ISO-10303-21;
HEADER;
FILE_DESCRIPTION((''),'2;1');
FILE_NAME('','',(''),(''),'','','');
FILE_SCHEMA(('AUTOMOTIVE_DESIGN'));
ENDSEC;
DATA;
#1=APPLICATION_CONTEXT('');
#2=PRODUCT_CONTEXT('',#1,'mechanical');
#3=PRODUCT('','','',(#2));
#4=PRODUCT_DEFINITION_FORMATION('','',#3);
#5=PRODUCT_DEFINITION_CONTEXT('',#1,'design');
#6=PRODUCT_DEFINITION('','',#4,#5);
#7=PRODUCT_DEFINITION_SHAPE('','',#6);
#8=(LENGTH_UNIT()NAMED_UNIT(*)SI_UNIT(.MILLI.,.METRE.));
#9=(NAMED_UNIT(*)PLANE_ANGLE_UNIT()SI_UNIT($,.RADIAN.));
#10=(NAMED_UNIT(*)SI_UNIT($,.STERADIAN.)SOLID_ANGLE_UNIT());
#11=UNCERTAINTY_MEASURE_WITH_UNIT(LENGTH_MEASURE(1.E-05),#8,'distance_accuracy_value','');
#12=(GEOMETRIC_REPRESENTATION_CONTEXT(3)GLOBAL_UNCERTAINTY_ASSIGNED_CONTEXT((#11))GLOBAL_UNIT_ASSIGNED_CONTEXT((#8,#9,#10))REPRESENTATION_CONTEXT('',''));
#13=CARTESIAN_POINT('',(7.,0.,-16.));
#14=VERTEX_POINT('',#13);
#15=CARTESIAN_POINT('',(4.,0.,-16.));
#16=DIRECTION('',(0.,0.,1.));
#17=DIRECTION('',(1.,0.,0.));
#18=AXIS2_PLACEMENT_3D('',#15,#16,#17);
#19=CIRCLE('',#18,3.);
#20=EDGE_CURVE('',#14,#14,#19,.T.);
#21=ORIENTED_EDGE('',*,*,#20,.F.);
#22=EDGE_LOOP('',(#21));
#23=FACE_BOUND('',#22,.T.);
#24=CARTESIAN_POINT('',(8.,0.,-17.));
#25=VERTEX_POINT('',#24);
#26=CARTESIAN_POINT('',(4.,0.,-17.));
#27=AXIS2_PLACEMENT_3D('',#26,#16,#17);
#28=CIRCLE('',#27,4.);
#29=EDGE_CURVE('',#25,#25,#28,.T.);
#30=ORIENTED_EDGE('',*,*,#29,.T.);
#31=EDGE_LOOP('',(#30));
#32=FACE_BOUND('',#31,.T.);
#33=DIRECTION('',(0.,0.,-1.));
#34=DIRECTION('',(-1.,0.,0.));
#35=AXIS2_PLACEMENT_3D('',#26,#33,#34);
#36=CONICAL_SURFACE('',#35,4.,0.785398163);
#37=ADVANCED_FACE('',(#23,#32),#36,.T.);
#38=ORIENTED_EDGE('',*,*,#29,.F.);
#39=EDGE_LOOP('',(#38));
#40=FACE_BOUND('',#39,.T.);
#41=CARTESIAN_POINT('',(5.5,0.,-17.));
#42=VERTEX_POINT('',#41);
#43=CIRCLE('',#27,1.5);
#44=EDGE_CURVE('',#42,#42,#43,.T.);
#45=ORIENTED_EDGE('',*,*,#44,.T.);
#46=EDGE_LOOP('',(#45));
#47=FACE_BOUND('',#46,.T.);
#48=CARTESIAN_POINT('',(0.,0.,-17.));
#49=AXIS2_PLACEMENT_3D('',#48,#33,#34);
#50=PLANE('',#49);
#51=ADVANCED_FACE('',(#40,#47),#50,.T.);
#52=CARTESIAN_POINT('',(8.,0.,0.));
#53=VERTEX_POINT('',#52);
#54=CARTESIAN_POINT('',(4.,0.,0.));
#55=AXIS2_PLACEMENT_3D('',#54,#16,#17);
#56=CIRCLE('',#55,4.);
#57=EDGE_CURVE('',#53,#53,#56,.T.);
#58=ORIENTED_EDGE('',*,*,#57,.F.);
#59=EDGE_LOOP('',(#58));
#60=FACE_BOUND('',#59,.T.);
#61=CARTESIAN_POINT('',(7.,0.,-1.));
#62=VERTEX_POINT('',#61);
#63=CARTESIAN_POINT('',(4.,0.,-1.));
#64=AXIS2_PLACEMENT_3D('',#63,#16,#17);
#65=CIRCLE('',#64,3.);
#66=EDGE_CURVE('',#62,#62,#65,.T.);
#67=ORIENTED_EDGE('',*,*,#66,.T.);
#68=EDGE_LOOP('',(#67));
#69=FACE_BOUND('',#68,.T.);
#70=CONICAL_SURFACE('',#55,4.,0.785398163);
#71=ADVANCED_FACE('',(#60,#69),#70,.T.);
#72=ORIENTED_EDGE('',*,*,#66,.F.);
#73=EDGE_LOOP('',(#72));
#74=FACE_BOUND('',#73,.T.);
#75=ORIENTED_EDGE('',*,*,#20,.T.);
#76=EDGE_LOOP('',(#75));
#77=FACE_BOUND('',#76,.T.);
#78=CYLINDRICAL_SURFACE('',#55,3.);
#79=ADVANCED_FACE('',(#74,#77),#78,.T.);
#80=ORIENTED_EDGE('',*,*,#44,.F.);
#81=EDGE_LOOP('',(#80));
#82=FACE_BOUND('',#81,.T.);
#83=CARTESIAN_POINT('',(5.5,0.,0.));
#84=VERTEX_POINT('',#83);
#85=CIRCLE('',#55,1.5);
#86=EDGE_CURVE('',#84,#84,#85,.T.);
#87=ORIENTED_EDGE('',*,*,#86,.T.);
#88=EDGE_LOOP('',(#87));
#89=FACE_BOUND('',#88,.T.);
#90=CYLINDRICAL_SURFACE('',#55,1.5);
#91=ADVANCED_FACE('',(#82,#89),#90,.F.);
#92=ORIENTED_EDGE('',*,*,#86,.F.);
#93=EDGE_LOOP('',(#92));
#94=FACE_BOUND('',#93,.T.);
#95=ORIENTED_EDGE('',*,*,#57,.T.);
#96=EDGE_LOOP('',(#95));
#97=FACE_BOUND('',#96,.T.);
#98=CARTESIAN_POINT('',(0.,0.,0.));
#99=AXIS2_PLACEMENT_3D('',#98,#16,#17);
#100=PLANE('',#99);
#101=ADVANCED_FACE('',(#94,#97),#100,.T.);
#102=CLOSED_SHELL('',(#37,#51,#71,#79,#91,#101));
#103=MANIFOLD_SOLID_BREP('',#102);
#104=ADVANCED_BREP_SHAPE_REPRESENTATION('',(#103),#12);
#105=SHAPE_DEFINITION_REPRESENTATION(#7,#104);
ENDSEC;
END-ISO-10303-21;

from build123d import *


with BuildPart() as part:
    # 草图2 → 旋转1 (revolve)
    with BuildSketch(Plane(origin=(0, 0, 0), x_dir=(1, 0, 0), z_dir=(0, 1, 0))):
        Polygon((5.5, 17), (5.5, 0), (7, 0), (7, 1), (7, 16), (7, 17), align=None)
        Polygon((7, 1), (7, 0), (8, 0), align=None)
        Polygon((8, 17), (7, 17), (7, 16), align=None)
    revolve(axis=Axis((4, 0, 0), (0, 0, -1)))


solid = part.part
